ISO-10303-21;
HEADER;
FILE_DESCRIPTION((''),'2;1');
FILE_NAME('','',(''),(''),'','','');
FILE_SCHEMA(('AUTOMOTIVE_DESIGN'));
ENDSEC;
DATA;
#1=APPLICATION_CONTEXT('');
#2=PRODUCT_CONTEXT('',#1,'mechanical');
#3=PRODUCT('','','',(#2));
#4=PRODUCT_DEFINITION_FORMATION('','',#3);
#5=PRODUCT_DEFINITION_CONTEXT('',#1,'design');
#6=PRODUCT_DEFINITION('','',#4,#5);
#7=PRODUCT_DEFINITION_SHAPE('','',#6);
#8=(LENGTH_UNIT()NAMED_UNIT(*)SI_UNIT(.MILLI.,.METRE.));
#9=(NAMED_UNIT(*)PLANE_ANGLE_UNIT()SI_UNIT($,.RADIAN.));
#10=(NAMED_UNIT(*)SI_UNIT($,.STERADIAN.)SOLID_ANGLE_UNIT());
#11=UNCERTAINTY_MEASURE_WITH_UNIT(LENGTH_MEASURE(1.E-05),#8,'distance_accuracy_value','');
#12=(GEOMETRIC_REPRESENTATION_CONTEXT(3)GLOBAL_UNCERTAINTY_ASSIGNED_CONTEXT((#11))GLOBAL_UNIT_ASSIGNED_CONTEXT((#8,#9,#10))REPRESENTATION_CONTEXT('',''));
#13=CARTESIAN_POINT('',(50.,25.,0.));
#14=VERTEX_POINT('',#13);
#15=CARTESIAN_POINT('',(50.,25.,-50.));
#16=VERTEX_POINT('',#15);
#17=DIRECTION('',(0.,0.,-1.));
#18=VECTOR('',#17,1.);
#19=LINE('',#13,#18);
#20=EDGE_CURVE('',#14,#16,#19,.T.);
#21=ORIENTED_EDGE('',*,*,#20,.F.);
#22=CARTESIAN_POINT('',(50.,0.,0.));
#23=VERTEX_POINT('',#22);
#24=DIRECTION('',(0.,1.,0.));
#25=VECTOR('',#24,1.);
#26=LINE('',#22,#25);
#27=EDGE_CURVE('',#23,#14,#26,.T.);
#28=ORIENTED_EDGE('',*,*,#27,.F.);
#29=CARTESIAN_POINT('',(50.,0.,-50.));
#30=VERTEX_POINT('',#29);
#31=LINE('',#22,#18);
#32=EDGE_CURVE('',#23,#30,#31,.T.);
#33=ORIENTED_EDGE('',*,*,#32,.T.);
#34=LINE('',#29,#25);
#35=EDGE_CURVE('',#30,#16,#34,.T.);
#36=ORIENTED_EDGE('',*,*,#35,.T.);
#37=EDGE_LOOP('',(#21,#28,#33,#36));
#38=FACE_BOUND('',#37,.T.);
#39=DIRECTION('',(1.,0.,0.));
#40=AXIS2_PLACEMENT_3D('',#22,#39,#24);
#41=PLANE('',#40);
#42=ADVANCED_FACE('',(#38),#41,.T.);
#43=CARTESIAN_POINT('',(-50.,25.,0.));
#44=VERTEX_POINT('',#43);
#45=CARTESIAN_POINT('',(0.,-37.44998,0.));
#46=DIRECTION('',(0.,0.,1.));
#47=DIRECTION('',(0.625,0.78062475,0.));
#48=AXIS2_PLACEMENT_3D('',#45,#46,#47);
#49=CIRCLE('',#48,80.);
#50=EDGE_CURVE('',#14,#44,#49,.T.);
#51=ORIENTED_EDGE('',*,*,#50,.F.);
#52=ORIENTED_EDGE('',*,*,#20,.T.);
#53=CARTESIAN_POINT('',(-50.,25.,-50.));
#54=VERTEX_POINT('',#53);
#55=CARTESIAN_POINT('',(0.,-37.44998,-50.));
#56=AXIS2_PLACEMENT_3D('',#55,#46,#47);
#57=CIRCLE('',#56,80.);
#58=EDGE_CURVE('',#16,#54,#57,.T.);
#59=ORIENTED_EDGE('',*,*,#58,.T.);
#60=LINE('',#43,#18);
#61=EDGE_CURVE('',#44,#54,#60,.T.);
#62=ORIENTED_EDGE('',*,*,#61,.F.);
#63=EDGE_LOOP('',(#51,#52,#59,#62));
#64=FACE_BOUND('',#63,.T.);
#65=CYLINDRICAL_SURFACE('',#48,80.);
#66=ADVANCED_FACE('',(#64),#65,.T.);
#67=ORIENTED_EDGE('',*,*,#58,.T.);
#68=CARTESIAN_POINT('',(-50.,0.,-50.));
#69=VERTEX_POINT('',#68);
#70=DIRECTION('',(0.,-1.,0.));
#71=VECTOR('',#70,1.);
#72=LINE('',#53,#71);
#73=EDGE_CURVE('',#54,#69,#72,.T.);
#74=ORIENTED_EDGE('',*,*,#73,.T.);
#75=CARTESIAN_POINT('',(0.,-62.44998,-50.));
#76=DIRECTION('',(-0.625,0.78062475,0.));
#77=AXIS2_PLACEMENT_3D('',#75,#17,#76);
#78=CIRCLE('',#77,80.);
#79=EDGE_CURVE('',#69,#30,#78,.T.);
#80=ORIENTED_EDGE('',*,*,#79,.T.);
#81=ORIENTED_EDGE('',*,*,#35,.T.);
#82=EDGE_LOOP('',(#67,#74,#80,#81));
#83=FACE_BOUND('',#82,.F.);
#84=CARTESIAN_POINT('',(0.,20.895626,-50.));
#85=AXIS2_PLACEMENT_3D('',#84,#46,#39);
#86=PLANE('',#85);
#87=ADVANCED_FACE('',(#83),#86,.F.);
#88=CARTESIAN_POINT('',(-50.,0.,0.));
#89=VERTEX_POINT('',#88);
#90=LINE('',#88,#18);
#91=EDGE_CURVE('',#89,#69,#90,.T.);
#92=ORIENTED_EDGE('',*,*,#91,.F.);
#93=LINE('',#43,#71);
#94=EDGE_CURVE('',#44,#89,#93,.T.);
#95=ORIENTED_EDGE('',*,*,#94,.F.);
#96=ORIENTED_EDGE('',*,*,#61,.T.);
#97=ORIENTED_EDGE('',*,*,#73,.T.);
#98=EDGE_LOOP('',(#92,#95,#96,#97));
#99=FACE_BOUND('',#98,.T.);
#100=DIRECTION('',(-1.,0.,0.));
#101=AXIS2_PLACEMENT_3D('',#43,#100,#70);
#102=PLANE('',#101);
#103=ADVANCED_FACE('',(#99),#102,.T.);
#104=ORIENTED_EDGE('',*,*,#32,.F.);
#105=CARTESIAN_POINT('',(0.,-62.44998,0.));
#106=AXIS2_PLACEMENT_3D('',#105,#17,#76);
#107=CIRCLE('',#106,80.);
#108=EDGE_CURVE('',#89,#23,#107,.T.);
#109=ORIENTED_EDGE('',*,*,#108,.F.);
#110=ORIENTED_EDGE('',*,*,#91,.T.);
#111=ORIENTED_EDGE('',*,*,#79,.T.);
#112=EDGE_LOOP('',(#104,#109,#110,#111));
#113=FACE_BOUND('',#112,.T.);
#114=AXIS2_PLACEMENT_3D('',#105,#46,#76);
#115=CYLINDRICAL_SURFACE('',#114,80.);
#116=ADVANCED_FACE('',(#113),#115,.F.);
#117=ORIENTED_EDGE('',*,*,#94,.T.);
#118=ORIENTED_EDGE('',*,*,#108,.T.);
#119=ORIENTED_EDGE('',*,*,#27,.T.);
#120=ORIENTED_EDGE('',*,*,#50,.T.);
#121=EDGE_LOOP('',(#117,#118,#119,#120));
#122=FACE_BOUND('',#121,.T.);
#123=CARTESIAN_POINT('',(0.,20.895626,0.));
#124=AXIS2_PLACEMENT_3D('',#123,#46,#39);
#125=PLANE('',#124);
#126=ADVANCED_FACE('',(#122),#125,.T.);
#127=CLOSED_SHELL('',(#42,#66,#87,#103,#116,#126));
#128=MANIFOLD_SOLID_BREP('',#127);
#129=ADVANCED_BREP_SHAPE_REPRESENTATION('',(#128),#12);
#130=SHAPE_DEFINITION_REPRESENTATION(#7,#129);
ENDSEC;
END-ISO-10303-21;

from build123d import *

# Parameters (mm, degrees)
F1_DEPTH = 50


with BuildPart() as f1:
    # F0 (on Top) → F1 (new body)
    with BuildSketch(Plane.XY):
        with BuildLine():
            ThreePointArc((-50, 0), (0, 17.55002), (50, 0))
            Line((50, 0), (50, 25))
            ThreePointArc((50, 25), (0, 42.55002), (-50, 25))
            Line((-50, 25), (-50, 0))
        make_face()
    extrude(amount=-F1_DEPTH)


solid = f1.part
